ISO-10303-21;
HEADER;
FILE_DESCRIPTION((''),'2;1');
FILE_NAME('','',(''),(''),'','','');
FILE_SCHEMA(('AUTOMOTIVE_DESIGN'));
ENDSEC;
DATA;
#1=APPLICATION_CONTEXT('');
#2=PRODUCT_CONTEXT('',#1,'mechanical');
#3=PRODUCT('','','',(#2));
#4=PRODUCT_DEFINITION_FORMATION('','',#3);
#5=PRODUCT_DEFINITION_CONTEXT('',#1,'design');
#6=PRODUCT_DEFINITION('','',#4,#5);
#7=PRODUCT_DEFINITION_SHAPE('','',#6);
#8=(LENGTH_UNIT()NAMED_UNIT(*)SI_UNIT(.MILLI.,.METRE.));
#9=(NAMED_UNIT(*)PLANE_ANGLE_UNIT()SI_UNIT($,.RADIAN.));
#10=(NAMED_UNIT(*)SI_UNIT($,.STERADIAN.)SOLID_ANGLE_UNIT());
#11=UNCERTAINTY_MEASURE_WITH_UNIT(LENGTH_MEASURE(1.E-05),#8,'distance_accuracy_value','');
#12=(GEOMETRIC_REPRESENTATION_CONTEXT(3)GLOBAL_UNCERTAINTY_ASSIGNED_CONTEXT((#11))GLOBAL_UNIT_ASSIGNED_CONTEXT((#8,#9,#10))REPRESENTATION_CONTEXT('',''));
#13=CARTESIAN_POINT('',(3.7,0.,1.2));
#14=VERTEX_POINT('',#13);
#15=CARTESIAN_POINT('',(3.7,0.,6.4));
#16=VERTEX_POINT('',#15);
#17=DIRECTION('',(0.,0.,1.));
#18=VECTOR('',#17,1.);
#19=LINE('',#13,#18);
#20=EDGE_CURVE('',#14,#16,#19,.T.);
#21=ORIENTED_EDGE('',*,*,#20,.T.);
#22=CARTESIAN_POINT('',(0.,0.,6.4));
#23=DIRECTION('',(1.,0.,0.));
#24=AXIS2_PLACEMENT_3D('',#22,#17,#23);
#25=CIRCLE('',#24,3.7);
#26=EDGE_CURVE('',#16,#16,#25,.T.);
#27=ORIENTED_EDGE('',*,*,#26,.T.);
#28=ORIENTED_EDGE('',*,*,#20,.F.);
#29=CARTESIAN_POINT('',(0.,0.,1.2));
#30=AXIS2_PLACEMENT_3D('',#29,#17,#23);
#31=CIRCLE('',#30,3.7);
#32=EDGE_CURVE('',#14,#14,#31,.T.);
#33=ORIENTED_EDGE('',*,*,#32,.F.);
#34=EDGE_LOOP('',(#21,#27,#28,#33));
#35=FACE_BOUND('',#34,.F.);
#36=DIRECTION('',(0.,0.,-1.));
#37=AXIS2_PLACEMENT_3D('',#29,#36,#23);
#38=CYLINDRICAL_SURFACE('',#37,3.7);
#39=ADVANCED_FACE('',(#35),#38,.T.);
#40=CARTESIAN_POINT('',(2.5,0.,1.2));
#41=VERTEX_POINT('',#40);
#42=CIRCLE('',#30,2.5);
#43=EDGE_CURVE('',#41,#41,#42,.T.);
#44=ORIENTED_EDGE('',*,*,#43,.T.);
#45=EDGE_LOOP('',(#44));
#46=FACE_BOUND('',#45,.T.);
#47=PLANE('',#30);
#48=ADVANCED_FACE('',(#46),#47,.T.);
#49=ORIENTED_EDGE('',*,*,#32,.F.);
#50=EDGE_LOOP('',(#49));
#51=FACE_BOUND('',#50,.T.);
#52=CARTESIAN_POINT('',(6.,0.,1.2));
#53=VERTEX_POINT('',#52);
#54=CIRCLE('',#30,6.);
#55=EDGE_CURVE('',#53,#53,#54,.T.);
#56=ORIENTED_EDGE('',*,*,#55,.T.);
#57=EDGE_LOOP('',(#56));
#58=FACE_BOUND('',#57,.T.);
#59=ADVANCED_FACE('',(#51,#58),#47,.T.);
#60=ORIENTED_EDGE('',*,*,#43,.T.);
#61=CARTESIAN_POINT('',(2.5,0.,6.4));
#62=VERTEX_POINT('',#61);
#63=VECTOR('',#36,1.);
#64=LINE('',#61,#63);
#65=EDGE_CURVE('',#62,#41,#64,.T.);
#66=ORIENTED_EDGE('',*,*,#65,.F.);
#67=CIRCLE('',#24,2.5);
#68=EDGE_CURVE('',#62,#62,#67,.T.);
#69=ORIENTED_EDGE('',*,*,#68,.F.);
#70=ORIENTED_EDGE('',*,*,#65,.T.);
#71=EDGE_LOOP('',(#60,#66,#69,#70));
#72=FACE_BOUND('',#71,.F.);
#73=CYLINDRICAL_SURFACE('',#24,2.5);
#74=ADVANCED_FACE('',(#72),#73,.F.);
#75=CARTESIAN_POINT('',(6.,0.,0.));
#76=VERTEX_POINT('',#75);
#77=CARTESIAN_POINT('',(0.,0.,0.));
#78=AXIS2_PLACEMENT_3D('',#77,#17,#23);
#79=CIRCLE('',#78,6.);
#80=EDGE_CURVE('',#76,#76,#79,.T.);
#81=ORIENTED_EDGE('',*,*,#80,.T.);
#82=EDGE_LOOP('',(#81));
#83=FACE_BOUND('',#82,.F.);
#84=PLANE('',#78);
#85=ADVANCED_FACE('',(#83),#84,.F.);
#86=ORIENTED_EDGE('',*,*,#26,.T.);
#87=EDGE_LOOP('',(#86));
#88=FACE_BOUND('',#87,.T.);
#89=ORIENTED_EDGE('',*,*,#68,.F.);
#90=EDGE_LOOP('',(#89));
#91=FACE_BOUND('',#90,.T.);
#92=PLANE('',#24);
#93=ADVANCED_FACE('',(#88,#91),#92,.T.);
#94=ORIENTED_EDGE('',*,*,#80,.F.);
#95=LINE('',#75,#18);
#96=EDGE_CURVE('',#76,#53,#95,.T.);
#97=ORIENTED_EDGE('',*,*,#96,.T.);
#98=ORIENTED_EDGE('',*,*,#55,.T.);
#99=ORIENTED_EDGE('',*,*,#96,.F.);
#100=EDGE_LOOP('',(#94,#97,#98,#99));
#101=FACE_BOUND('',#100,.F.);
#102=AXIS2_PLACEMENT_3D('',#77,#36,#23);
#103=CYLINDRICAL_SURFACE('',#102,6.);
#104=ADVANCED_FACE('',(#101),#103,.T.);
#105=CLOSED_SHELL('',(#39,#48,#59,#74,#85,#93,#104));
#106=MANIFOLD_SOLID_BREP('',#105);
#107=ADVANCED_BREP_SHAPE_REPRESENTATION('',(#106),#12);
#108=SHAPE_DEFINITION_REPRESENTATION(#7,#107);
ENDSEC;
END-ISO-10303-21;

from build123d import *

# Parameters (mm, degrees)
SKETCH_R     = 6
PAD_DEPTH    = 1.2
SKETCH001_R  = 3.7
PAD001_DEPTH = 5.2
SKETCH002_R  = 2.5
POCKET_DEPTH = 5.2


with BuildPart() as part:
    # Sketch → Pad (new body)
    with BuildSketch(Plane.XY):
        Circle(SKETCH_R)
    extrude(amount=PAD_DEPTH)

    # Sketch001 (on Face3 of Pad) → Pad001 (join)
    with BuildSketch(Plane.XY.offset(1.2)):
        Circle(SKETCH001_R)
    extrude(amount=PAD001_DEPTH)

    # Sketch002 (on Face5 of Pad001) → Pocket (cut)
    with BuildSketch(Plane.XY.offset(6.4)):
        Circle(SKETCH002_R)
    extrude(amount=-POCKET_DEPTH, mode=Mode.SUBTRACT)


solid = part.part
